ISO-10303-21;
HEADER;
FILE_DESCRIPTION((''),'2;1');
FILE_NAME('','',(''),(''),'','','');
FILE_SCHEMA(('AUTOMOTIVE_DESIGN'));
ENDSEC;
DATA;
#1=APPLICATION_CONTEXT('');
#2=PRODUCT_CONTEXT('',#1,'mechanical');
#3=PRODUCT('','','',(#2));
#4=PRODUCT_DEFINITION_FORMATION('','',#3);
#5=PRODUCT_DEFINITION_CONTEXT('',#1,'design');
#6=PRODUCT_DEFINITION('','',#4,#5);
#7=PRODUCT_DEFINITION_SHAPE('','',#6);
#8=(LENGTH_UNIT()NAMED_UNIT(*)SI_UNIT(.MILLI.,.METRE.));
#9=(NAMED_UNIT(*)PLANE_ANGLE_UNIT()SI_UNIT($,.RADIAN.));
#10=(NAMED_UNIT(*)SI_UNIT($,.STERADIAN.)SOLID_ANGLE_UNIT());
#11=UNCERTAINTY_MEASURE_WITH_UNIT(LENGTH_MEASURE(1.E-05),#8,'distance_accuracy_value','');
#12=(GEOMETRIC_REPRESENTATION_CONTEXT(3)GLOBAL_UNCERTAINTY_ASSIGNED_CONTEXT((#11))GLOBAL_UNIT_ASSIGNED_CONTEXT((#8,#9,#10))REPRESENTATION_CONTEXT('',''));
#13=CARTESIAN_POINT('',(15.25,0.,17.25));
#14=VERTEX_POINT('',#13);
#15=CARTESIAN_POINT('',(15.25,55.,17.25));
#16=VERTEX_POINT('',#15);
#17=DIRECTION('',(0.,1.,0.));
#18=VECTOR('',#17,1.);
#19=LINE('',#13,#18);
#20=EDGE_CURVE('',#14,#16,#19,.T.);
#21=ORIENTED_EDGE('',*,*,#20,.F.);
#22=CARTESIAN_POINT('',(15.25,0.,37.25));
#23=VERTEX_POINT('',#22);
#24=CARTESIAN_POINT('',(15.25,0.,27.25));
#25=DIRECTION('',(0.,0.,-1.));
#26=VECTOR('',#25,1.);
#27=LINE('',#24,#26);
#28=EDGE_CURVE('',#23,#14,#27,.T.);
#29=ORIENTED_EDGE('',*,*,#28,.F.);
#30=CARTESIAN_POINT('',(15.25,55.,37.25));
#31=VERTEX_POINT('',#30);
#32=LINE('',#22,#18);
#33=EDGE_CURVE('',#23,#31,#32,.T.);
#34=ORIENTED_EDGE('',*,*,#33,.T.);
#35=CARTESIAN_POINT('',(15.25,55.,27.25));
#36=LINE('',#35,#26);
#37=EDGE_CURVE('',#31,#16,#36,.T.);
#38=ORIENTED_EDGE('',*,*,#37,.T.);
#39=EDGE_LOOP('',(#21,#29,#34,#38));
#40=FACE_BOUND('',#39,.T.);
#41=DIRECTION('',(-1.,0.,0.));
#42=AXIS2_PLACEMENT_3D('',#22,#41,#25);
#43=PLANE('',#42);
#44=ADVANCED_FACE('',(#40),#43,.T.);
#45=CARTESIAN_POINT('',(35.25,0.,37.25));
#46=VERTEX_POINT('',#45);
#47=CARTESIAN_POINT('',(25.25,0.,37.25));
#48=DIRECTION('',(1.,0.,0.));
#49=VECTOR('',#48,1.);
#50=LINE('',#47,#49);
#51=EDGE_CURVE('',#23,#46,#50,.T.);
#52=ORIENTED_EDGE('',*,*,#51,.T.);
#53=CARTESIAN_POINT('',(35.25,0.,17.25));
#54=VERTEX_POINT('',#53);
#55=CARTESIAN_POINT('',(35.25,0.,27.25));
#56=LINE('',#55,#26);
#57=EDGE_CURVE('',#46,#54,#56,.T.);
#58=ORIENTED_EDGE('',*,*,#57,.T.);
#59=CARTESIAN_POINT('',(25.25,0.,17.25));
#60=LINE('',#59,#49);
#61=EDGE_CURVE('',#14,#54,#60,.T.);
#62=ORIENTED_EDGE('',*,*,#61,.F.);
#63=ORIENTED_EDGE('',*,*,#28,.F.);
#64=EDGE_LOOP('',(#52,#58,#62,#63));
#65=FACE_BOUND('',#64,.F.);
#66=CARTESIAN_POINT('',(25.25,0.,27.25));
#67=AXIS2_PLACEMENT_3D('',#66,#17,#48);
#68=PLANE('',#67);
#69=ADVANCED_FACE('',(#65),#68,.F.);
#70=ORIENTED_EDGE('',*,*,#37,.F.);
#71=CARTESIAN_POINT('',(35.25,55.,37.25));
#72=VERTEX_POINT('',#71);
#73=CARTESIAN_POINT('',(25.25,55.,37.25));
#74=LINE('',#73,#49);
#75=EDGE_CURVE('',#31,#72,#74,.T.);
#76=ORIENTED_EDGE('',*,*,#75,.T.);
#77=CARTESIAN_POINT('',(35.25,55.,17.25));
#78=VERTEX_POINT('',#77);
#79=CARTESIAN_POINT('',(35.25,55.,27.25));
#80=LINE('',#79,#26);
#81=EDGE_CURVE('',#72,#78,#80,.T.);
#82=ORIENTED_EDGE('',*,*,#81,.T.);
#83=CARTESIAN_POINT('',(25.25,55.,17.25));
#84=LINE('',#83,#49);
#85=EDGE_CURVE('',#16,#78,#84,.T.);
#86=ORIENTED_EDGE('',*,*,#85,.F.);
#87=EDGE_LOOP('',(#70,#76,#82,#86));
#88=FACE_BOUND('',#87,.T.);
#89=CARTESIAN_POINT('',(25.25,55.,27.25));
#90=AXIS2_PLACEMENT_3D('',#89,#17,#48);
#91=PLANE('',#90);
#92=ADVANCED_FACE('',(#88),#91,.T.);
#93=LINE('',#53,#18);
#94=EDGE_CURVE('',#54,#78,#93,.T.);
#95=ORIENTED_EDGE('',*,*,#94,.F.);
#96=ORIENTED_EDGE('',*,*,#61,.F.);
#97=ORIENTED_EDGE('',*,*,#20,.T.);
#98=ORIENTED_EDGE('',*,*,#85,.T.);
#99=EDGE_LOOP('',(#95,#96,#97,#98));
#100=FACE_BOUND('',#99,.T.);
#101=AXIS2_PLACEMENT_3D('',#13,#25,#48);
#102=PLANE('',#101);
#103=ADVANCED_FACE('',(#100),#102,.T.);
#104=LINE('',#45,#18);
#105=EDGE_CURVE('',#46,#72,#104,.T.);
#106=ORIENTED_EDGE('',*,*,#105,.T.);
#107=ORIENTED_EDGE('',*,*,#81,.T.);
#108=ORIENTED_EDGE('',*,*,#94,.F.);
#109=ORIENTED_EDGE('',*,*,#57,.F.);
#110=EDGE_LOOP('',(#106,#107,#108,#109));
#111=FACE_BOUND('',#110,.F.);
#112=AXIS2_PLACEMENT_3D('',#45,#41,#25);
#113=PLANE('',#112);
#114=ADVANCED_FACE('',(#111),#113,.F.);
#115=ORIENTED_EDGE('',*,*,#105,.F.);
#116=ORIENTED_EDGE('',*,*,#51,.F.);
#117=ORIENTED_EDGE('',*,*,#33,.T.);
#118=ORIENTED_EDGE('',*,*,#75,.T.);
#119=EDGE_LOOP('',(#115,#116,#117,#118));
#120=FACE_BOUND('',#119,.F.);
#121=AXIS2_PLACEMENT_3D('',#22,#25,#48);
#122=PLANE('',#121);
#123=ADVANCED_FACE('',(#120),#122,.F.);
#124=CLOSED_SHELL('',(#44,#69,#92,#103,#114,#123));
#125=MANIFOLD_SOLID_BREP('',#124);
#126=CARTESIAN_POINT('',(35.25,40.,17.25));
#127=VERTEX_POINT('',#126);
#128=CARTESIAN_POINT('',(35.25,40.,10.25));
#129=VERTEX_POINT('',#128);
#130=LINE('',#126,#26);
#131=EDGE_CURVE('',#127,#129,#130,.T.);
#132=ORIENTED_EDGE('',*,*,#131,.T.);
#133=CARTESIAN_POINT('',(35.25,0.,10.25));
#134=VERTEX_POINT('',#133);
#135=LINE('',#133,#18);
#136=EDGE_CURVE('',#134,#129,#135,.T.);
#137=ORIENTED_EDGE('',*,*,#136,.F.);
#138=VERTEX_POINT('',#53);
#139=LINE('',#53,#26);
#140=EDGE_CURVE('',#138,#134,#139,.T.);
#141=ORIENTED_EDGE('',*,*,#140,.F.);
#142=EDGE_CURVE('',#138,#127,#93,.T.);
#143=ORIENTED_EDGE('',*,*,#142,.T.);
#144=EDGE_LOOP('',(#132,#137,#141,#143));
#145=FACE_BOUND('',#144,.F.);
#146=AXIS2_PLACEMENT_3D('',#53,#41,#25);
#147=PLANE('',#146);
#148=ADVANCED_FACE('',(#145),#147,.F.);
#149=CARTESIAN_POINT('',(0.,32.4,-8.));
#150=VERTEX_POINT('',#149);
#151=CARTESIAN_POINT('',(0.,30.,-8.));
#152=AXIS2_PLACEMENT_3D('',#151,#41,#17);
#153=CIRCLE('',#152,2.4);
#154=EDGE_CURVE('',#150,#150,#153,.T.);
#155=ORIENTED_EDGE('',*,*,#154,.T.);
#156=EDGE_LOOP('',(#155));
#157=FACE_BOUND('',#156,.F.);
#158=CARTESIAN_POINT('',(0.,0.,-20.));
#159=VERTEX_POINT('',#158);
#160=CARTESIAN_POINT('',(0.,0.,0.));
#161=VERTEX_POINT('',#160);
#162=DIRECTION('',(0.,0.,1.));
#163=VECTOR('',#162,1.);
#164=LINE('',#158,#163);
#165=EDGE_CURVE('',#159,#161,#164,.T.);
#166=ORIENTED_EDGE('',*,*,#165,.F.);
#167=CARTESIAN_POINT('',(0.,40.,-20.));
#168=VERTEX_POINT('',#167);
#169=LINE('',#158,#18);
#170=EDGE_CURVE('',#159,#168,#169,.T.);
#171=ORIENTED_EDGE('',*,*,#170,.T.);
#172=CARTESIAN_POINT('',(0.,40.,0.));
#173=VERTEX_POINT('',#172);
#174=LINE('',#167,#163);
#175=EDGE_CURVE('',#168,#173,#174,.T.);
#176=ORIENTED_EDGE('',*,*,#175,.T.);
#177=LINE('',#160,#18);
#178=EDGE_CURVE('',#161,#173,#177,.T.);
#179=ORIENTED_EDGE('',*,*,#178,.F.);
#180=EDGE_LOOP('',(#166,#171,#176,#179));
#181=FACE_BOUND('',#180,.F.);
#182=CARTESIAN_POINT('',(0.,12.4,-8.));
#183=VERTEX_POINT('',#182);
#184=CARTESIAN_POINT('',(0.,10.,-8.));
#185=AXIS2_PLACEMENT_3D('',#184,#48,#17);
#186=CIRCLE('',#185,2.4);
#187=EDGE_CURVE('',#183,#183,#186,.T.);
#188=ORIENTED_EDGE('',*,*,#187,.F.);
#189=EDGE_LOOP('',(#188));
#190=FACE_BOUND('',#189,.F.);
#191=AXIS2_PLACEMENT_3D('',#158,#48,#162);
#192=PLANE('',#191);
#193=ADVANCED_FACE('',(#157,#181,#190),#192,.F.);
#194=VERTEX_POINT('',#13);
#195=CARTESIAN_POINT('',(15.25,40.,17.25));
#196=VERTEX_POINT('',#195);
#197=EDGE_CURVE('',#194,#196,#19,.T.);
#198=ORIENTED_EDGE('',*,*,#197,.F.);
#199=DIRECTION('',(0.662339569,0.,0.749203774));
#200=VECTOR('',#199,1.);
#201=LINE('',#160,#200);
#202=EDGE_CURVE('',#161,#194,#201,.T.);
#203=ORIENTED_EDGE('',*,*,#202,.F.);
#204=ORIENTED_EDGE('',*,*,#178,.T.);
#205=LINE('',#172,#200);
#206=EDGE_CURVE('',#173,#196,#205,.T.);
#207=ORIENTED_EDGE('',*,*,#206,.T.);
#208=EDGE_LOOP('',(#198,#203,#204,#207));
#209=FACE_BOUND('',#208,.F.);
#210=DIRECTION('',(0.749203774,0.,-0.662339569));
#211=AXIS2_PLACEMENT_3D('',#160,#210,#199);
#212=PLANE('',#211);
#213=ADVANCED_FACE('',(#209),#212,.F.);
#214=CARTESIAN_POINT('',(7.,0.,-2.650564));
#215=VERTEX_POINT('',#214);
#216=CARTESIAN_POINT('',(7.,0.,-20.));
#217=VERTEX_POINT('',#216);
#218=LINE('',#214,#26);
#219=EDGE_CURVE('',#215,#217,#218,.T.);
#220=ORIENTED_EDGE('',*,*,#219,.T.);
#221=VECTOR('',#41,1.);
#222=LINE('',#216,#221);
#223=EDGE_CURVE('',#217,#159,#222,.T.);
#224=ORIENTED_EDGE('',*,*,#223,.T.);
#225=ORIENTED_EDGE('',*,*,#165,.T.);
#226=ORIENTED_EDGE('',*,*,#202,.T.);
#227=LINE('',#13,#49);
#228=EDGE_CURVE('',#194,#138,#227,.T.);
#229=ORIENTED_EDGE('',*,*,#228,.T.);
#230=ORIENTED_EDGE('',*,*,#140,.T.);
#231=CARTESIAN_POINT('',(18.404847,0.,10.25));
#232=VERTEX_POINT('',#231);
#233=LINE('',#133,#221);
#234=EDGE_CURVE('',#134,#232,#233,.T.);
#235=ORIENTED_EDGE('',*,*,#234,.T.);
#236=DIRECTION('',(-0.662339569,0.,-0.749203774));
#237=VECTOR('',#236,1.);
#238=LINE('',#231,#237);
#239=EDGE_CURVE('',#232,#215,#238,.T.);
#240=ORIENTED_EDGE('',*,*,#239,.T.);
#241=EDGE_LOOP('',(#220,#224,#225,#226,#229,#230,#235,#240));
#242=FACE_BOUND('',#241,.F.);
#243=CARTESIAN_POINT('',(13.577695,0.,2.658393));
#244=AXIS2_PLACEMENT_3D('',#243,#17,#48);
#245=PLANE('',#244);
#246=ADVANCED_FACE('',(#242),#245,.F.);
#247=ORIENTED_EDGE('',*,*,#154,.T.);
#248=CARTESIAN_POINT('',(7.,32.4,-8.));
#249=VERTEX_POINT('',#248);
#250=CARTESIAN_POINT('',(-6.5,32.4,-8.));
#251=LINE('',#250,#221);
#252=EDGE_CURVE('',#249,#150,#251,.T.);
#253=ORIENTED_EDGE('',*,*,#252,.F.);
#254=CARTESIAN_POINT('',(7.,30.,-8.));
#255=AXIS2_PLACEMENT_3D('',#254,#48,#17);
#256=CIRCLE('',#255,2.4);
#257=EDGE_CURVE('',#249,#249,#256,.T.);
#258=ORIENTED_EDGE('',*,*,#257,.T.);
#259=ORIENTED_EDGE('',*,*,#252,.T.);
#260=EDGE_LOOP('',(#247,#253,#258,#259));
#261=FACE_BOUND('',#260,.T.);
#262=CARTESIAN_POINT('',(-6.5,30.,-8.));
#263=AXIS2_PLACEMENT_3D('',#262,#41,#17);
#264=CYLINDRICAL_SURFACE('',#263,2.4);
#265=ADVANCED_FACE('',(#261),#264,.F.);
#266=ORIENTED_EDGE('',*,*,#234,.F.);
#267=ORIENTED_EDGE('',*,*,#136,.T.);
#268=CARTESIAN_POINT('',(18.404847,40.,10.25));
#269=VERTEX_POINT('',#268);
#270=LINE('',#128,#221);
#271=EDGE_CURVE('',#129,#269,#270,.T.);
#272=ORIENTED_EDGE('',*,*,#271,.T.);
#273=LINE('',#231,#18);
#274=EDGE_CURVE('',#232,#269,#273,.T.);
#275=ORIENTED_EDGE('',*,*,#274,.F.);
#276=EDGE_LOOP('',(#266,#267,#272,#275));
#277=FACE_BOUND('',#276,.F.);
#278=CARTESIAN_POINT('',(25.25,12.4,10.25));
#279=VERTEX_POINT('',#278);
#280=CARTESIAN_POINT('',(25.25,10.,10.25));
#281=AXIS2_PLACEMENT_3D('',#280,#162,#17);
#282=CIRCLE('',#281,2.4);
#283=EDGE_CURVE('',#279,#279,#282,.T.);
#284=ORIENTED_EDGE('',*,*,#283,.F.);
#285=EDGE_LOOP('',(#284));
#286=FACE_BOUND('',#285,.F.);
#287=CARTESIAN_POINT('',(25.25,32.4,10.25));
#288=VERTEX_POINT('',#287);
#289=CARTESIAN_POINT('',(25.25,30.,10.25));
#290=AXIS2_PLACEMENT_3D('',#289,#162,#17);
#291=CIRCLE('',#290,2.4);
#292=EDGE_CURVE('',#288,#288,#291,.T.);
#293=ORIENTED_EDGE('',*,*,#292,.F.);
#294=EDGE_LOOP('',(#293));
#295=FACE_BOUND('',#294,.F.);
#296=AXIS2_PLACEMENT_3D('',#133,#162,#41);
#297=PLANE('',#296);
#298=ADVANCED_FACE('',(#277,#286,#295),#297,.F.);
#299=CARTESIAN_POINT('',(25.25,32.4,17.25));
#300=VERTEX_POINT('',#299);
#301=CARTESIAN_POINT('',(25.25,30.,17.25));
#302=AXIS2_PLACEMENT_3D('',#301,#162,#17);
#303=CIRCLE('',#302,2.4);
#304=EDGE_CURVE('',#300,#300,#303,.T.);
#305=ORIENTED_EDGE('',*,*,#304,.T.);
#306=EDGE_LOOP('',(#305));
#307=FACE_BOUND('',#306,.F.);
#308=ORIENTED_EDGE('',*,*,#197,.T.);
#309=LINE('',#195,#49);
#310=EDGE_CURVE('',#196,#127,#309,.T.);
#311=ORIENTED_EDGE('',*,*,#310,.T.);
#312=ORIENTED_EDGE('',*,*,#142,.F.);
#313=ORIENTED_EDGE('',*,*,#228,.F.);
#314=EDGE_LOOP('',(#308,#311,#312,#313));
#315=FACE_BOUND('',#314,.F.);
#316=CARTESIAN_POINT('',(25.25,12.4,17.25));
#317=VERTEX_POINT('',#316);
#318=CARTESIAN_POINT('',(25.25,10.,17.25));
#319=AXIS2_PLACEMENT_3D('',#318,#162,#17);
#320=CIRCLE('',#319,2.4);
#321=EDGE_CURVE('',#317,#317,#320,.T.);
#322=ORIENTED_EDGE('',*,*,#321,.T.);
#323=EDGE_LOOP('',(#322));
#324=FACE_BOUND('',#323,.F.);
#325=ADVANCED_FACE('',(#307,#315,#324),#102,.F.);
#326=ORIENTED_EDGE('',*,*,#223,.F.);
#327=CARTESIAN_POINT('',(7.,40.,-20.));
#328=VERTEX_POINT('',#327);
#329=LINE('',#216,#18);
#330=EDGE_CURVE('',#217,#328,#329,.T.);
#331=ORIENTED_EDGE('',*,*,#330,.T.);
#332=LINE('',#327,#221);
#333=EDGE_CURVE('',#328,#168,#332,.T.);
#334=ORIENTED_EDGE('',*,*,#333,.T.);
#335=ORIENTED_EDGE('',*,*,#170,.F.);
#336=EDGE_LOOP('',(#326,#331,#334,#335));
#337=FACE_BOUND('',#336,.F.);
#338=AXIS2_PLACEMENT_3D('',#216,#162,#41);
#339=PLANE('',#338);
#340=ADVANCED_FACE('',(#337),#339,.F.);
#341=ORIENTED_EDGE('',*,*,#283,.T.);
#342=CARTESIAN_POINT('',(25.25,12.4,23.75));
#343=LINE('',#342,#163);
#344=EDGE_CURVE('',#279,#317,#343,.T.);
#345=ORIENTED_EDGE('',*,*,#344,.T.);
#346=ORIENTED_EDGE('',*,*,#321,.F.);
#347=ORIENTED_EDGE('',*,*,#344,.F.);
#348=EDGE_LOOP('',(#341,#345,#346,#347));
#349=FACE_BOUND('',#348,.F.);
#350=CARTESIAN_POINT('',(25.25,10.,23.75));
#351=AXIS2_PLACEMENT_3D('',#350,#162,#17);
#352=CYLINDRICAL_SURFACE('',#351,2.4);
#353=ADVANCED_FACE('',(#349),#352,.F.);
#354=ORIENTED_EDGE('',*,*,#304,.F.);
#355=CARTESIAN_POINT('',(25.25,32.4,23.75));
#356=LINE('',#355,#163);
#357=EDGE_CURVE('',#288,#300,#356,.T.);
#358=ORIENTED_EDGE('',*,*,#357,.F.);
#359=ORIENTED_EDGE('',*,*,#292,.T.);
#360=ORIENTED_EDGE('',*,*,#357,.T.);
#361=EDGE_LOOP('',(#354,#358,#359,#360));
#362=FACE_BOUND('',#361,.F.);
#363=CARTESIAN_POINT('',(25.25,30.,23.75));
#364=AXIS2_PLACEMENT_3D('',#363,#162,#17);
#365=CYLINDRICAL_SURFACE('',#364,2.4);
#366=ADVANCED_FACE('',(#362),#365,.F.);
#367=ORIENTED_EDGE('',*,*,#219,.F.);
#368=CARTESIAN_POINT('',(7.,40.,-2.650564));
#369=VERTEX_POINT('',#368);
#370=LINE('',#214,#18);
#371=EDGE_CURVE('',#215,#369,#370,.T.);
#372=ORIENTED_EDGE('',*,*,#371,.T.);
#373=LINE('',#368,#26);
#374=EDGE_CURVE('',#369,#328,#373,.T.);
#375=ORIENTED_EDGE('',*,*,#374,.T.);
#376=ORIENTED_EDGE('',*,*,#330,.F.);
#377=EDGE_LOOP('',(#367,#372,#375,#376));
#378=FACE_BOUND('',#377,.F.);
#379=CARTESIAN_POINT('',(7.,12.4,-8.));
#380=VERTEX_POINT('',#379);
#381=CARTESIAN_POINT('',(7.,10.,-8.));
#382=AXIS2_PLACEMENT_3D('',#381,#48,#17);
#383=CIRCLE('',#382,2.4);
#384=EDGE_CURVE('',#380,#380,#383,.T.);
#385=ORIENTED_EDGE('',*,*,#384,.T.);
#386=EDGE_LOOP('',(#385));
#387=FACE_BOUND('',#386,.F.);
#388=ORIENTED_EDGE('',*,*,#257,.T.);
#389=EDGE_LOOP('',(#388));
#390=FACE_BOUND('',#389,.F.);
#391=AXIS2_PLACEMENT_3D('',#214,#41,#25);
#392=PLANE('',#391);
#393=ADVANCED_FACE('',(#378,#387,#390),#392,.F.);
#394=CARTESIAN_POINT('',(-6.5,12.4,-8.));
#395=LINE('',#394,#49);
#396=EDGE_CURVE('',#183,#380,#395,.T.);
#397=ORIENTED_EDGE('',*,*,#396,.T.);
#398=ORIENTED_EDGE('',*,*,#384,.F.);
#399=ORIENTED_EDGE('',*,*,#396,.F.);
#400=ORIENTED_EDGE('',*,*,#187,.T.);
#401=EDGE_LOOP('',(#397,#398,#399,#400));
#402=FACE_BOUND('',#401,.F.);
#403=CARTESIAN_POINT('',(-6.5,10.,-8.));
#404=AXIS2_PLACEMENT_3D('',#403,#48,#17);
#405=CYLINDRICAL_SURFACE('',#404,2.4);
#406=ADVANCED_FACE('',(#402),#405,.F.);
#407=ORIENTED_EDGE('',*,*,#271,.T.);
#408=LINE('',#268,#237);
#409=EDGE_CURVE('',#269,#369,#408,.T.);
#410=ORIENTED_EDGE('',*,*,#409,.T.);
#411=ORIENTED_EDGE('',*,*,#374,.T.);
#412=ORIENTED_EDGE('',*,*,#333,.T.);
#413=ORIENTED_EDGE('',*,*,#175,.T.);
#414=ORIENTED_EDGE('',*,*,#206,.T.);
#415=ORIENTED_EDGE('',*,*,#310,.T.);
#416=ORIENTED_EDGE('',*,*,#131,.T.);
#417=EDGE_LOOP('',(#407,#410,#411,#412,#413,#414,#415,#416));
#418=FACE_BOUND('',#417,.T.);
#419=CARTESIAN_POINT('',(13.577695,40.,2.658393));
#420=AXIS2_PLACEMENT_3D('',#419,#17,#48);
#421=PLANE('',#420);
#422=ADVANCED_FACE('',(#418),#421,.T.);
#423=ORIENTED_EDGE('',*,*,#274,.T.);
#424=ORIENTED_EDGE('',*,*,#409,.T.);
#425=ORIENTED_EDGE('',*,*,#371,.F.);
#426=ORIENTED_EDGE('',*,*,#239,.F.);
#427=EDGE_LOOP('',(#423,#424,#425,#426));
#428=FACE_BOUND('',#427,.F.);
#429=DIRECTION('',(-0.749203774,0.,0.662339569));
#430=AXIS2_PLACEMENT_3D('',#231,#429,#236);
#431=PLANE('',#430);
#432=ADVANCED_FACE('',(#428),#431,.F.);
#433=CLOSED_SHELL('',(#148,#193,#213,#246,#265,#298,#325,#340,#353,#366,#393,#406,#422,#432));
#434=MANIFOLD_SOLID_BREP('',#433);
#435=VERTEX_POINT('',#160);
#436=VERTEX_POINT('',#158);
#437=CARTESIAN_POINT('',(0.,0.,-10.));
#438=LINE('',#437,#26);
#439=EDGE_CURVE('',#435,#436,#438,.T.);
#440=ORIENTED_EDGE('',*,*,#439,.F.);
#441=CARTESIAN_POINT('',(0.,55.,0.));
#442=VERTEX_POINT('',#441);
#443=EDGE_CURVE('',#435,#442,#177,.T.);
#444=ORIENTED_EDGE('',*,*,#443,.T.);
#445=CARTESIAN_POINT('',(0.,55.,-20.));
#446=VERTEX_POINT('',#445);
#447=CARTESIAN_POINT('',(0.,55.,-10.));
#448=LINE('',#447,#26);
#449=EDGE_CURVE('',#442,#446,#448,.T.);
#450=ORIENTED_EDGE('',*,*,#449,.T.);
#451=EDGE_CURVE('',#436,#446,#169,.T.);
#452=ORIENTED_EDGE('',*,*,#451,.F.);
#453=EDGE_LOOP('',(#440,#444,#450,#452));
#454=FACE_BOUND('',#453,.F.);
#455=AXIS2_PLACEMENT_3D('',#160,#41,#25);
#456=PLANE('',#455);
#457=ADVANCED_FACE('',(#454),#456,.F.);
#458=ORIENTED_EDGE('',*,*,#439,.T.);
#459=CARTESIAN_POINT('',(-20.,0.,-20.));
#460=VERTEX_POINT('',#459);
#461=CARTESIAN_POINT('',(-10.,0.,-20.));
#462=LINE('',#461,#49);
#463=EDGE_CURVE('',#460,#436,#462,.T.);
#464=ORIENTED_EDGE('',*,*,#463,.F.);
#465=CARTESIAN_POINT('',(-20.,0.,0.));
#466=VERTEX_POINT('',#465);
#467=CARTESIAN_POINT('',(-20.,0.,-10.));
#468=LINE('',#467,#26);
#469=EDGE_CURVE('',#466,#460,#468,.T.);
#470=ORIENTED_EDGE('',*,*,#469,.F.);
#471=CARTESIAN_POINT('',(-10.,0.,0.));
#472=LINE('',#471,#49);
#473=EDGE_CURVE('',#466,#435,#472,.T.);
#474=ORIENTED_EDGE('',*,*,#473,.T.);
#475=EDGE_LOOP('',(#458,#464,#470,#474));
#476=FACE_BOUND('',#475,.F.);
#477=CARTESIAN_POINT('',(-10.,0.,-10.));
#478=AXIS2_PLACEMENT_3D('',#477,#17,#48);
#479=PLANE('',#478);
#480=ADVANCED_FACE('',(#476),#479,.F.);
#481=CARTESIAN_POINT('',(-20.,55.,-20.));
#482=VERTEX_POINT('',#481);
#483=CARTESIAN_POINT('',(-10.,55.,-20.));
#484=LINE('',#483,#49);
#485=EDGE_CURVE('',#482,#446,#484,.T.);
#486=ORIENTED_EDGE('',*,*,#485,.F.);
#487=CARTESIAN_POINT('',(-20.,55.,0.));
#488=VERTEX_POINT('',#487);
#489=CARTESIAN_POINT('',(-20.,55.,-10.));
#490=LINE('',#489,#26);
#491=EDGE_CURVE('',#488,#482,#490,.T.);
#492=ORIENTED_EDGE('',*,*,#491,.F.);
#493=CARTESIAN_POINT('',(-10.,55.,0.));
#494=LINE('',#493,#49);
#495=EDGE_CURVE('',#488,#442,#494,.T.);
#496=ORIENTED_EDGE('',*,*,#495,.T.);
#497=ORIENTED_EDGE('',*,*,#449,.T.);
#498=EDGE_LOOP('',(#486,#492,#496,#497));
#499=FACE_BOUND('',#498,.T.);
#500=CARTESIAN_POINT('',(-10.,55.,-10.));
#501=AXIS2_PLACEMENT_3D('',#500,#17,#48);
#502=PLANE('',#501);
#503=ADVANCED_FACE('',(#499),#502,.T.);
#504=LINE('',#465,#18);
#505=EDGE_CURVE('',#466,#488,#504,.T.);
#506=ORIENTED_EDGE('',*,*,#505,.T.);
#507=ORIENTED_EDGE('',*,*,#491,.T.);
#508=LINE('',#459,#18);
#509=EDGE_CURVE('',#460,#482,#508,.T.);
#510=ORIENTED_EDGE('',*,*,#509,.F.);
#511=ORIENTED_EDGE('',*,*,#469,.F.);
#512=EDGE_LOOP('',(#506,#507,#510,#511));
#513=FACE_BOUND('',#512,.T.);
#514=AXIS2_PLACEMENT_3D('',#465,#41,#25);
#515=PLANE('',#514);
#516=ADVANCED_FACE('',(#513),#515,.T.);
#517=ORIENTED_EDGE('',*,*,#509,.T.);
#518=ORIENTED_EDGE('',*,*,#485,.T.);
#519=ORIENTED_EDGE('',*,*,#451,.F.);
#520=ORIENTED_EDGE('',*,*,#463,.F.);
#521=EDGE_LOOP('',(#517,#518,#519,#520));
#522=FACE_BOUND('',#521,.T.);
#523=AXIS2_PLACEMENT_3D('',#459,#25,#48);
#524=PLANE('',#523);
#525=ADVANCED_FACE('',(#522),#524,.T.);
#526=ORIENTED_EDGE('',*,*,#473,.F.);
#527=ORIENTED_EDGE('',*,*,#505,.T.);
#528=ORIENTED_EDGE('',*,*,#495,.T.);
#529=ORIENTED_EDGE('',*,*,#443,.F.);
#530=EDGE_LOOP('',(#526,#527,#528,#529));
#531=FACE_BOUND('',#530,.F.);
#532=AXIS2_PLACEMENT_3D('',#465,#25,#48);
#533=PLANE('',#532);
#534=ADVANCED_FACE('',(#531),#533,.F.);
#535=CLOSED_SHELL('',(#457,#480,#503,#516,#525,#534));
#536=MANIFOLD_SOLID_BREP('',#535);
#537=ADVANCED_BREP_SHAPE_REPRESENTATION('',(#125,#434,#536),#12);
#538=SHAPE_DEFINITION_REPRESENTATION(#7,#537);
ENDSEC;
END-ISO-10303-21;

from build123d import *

# Parameters (mm, degrees)
SKETCH1_W                     = 20
SKETCH1_H                     = 20
BOSS_EXTRUDE1_DEPTH           = 55
BOSS_EXTRUDE1_2_DEPTH         = 55
EXTRUDE_THIN1_DEPTH           = 40
SKETCH4_W                     = 2.4
SKETCH4_H                     = 27
M4_CLEARANCE_HOLE1_AT_2_COUNT = 2
M4_CLEARANCE_HOLE1_AT_2_PITCH = 20
MIRROR1_COPY_1_SKETCH_W       = 2.4
MIRROR1_COPY_1_SKETCH_H       = 27


with BuildPart() as part:
    # Sketch1 → Boss-Extrude1 (new body)
    with BuildSketch(Plane(origin=(0, 0, 0), x_dir=(1, 0, 0), z_dir=(0, 1, 0))):
        with Locations((-10, 10)):
            Rectangle(SKETCH1_W, SKETCH1_H)
    extrude(amount=BOSS_EXTRUDE1_DEPTH)


with BuildPart() as body_2:
    # Sketch1 → Boss-Extrude1 2 (new body)
    with BuildSketch(Plane(origin=(0, 0, 0), x_dir=(1, 0, 0), z_dir=(0, 1, 0))):
        with Locations((25.25, -27.25)):
            Rectangle(SKETCH1_W, SKETCH1_H)
    extrude(amount=BOSS_EXTRUDE1_2_DEPTH)


with BuildPart() as body_3:
    # Sketch2 → Extrude-Thin1 (new body)
    with BuildSketch(Plane(origin=(0, 0, 0), x_dir=(1, 0, 0), z_dir=(0, 1, 0))):
        Polygon((0, 20), (0, 0), (15.25, -17.25), (35.25, -17.25), (35.25, -10.25), (18.404846651, -10.25), (7, 2.650564245), (7, 20), align=None)
    extrude(amount=EXTRUDE_THIN1_DEPTH)

    # Sketch4 → M4 Clearance Hole1 (revolve, cut)
    with BuildSketch(Plane(origin=(25.25, 30, 10.25), x_dir=(0, 1, 0), z_dir=(1, 0, 0))):
        with Locations((1.2, 13.5)):
            Rectangle(SKETCH4_W, SKETCH4_H)
    m4_clearance_hole1 = revolve(axis=Axis((25.25, 30, 3.9), (0, 0, 1)), mode=Mode.SUBTRACT)

    # M4 Clearance Hole1 at 2: M4 Clearance Hole1 ×2
    with Locations(*[(0, -i * M4_CLEARANCE_HOLE1_AT_2_PITCH, 0) for i in range(1, M4_CLEARANCE_HOLE1_AT_2_COUNT)]):
        add(m4_clearance_hole1, mode=Mode.SUBTRACT)

    # Mirror1: M4 Clearance Hole1 across plane
    add(m4_clearance_hole1.mirror(Plane(origin=(8.625, 0, 8.625), x_dir=(-0.707106781, 0, 0.707106781), z_dir=(-0.707106781, 0, -0.707106781))), mode=Mode.SUBTRACT)

    # Mirror1 copy 1 sketch → Mirror1 copy 1 (revolve, cut)
    with BuildSketch(Plane(origin=(7, 10, -8), x_dir=(0, 1, 0), z_dir=(0, 0, -1))):
        with Locations((1.2, -13.5)):
            Rectangle(MIRROR1_COPY_1_SKETCH_W, MIRROR1_COPY_1_SKETCH_H)
    revolve(axis=Axis((13.35, 10, -8), (1, 0, 0)), mode=Mode.SUBTRACT)


solid = Compound([part.part, body_2.part, body_3.part])
